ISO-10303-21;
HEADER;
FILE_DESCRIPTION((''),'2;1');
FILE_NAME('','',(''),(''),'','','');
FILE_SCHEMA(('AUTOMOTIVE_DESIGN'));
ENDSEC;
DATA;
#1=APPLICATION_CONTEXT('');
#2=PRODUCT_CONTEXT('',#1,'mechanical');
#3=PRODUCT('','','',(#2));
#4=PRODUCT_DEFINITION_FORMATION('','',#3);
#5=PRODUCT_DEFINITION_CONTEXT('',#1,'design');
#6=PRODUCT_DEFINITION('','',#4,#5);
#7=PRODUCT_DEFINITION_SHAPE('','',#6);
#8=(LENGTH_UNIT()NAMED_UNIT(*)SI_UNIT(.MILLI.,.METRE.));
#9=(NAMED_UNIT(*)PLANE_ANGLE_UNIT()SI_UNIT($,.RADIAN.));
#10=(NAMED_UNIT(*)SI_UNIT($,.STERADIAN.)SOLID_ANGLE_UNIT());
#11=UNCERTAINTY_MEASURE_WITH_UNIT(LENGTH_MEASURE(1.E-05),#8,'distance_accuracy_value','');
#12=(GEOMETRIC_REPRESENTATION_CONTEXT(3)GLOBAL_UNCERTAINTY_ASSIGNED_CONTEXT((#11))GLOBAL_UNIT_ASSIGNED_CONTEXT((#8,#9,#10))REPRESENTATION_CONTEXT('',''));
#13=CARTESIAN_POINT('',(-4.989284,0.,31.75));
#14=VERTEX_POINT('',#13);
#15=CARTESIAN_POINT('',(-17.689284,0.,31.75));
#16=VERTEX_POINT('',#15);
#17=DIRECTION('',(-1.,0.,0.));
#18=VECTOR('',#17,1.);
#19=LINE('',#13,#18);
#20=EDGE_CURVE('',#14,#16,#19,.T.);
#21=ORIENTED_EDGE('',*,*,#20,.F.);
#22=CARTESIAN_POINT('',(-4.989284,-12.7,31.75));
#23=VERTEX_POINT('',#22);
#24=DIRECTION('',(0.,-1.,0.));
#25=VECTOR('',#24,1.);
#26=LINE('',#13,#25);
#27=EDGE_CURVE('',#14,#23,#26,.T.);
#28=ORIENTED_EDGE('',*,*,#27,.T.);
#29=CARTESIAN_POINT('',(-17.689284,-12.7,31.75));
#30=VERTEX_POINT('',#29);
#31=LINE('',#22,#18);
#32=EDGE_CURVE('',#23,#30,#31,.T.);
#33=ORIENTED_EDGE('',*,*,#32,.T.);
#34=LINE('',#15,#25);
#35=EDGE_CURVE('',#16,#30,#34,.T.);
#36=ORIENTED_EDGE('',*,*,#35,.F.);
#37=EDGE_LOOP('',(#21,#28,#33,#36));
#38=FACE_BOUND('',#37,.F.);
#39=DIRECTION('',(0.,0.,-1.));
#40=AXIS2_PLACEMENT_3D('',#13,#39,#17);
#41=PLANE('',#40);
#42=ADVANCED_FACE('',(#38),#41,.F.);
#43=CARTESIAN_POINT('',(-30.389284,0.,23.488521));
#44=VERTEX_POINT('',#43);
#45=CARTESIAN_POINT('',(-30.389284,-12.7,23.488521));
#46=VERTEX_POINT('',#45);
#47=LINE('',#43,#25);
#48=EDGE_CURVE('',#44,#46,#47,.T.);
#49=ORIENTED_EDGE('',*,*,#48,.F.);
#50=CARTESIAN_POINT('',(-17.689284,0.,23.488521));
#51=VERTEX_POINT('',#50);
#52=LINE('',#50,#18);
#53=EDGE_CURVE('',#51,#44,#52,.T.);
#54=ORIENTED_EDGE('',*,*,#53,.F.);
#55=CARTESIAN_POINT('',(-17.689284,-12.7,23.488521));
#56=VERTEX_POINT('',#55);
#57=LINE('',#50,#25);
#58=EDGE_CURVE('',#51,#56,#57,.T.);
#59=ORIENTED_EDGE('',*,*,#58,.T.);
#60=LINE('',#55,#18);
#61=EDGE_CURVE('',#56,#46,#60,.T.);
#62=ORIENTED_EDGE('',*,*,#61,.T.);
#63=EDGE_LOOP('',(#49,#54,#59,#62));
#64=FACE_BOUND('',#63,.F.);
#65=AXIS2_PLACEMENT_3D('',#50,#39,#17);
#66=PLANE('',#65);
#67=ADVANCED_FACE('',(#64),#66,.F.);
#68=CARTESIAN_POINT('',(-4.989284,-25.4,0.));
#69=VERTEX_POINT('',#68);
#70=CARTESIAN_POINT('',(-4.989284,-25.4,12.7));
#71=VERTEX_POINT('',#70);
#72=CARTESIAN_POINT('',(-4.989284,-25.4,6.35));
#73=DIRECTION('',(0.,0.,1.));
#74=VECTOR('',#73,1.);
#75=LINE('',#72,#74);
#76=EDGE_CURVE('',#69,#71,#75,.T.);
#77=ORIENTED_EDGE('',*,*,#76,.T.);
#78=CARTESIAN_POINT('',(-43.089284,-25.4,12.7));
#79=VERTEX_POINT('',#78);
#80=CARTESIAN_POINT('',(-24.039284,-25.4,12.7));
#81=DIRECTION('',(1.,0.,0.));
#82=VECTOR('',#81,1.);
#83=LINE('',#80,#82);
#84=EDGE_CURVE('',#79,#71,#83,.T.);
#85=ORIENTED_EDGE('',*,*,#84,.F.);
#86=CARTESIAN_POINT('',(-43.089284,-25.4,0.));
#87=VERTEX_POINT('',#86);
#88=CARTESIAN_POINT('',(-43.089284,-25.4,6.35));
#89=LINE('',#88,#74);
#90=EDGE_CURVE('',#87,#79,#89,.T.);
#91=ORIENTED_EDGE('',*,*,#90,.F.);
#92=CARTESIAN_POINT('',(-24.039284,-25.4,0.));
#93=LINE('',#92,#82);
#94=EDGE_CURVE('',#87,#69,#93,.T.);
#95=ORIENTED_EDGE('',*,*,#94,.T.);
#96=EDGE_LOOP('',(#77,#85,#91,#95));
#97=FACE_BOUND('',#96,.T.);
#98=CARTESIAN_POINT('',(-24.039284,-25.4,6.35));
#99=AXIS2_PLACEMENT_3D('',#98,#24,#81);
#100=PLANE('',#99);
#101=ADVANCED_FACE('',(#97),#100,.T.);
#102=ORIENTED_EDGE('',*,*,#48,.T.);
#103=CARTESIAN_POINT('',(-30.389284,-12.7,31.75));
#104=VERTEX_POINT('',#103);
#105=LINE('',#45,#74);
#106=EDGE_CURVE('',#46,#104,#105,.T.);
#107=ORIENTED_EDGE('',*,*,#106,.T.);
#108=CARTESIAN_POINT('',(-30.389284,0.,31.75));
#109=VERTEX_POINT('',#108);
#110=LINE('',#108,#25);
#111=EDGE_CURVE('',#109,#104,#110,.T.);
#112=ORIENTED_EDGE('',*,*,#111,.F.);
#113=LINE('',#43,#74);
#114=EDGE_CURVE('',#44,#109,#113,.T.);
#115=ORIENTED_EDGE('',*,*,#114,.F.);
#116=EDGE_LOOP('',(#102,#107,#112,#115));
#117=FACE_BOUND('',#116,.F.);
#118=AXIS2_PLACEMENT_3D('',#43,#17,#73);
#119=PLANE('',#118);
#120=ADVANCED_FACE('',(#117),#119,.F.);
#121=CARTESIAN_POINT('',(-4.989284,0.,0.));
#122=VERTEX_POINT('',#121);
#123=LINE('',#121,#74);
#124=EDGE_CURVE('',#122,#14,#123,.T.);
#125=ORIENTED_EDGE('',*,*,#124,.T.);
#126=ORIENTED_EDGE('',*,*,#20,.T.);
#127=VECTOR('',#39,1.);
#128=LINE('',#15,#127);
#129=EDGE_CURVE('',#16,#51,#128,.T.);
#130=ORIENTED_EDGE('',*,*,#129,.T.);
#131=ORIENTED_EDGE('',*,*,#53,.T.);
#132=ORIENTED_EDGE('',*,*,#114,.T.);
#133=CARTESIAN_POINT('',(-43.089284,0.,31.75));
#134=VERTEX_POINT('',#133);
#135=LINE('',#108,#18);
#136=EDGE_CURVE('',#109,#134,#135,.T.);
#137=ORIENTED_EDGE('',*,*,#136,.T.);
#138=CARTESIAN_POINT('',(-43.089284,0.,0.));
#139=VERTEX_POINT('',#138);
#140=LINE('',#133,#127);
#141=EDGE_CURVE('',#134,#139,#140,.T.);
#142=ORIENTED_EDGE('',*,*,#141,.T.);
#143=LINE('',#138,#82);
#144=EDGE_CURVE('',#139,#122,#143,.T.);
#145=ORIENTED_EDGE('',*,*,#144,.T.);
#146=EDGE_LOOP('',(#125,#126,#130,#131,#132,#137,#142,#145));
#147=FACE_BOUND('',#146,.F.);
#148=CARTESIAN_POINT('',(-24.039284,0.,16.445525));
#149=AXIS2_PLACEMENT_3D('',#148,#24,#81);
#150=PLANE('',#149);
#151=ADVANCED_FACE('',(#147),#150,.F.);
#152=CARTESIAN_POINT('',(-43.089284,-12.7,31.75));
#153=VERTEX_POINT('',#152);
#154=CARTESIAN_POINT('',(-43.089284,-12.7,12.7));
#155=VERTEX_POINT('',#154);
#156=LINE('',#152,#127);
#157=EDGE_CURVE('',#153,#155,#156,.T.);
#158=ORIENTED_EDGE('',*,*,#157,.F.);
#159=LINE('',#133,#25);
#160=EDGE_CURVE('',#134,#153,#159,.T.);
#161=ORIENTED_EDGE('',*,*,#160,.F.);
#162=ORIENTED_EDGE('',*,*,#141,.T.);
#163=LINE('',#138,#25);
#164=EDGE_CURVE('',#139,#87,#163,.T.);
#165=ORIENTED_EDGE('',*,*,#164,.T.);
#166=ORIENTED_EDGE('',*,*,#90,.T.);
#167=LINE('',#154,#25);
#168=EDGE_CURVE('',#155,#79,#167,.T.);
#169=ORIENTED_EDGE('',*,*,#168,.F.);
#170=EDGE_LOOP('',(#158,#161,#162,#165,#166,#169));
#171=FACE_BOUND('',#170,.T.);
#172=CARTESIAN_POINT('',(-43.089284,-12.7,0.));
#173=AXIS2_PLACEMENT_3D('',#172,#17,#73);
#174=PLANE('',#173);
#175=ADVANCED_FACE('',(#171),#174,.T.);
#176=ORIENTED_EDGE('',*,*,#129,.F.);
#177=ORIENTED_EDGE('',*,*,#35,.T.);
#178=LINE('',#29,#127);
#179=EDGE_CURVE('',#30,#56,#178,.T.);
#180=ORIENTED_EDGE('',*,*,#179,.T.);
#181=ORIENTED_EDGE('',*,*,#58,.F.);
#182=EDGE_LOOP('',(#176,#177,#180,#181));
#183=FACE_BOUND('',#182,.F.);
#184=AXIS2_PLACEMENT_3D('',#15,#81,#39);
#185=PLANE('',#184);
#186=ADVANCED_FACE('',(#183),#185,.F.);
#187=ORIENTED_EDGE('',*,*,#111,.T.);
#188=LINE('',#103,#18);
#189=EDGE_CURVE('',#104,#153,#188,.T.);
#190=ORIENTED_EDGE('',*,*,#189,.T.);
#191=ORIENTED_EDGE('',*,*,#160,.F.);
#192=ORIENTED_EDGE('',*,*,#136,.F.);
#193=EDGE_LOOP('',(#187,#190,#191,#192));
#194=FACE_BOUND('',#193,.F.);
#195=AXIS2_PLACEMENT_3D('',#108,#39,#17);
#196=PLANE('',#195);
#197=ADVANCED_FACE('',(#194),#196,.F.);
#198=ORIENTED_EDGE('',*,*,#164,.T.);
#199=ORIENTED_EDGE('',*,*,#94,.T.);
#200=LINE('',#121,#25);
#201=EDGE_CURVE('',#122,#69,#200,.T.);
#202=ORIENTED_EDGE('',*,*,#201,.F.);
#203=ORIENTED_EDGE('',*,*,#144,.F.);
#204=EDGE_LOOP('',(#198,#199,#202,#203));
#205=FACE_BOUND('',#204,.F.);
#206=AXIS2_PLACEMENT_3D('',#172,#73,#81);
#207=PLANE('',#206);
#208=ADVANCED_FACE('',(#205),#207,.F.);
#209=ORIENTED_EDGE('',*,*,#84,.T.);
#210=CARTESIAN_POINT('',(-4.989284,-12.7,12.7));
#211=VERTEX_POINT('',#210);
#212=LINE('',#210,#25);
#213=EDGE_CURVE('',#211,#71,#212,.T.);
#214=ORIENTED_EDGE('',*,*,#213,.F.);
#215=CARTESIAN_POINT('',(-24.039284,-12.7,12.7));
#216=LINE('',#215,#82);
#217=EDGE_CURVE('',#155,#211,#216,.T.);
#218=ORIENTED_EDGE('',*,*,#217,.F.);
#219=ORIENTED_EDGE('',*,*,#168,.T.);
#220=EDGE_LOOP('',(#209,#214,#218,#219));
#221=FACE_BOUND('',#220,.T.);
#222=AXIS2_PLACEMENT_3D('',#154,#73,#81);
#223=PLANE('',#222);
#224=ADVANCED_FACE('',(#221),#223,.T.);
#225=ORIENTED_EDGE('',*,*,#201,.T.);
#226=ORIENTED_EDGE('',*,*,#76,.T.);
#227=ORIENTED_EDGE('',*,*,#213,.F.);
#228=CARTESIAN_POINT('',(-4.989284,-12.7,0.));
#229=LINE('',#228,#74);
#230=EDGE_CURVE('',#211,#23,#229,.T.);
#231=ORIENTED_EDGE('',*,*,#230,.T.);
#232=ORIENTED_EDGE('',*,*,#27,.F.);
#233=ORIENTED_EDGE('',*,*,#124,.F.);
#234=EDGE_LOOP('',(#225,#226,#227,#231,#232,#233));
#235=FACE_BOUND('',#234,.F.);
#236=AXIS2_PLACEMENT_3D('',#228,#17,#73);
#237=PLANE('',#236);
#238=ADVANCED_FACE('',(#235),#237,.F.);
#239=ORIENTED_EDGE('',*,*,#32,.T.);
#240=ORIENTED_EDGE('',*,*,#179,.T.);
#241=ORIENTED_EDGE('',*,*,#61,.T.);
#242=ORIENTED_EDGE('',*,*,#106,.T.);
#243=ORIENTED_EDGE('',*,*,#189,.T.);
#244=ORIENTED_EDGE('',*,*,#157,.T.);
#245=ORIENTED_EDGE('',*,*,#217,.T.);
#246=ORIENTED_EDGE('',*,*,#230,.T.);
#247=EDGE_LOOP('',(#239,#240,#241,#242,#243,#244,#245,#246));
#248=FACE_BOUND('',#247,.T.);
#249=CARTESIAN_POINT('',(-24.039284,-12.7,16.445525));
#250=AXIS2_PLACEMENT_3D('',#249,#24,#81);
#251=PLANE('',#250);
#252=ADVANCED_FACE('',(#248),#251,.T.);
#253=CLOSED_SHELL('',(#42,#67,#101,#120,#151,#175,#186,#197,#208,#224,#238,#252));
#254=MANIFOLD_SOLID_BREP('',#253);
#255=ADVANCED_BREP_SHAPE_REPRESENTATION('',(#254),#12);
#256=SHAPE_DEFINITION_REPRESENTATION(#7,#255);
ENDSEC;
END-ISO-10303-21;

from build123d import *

# Parameters (mm, degrees)
F1_DEPTH = 12.7
F2_W     = 38.1
F2_H     = 12.7
F3_DEPTH = 12.7


with BuildPart() as f1:
    # F0 (on Front) → F1 (new body)
    with BuildSketch(Plane.XZ):
        Polygon((-43.089284, 31.75), (-43.089284, 0), (-4.989284, 0), (-4.989284, 31.75), (-17.689284, 31.75), (-17.689284, 23.488521), (-30.389284, 23.488521), (-30.389284, 31.75), align=None)
    extrude(amount=F1_DEPTH)

    # F2 (on face) → F3 (join)
    with BuildSketch(Plane.XZ.offset(12.7)):
        with Locations((-24.039284, 6.35)):
            Rectangle(F2_W, F2_H)
    extrude(amount=F3_DEPTH)


solid = f1.part
